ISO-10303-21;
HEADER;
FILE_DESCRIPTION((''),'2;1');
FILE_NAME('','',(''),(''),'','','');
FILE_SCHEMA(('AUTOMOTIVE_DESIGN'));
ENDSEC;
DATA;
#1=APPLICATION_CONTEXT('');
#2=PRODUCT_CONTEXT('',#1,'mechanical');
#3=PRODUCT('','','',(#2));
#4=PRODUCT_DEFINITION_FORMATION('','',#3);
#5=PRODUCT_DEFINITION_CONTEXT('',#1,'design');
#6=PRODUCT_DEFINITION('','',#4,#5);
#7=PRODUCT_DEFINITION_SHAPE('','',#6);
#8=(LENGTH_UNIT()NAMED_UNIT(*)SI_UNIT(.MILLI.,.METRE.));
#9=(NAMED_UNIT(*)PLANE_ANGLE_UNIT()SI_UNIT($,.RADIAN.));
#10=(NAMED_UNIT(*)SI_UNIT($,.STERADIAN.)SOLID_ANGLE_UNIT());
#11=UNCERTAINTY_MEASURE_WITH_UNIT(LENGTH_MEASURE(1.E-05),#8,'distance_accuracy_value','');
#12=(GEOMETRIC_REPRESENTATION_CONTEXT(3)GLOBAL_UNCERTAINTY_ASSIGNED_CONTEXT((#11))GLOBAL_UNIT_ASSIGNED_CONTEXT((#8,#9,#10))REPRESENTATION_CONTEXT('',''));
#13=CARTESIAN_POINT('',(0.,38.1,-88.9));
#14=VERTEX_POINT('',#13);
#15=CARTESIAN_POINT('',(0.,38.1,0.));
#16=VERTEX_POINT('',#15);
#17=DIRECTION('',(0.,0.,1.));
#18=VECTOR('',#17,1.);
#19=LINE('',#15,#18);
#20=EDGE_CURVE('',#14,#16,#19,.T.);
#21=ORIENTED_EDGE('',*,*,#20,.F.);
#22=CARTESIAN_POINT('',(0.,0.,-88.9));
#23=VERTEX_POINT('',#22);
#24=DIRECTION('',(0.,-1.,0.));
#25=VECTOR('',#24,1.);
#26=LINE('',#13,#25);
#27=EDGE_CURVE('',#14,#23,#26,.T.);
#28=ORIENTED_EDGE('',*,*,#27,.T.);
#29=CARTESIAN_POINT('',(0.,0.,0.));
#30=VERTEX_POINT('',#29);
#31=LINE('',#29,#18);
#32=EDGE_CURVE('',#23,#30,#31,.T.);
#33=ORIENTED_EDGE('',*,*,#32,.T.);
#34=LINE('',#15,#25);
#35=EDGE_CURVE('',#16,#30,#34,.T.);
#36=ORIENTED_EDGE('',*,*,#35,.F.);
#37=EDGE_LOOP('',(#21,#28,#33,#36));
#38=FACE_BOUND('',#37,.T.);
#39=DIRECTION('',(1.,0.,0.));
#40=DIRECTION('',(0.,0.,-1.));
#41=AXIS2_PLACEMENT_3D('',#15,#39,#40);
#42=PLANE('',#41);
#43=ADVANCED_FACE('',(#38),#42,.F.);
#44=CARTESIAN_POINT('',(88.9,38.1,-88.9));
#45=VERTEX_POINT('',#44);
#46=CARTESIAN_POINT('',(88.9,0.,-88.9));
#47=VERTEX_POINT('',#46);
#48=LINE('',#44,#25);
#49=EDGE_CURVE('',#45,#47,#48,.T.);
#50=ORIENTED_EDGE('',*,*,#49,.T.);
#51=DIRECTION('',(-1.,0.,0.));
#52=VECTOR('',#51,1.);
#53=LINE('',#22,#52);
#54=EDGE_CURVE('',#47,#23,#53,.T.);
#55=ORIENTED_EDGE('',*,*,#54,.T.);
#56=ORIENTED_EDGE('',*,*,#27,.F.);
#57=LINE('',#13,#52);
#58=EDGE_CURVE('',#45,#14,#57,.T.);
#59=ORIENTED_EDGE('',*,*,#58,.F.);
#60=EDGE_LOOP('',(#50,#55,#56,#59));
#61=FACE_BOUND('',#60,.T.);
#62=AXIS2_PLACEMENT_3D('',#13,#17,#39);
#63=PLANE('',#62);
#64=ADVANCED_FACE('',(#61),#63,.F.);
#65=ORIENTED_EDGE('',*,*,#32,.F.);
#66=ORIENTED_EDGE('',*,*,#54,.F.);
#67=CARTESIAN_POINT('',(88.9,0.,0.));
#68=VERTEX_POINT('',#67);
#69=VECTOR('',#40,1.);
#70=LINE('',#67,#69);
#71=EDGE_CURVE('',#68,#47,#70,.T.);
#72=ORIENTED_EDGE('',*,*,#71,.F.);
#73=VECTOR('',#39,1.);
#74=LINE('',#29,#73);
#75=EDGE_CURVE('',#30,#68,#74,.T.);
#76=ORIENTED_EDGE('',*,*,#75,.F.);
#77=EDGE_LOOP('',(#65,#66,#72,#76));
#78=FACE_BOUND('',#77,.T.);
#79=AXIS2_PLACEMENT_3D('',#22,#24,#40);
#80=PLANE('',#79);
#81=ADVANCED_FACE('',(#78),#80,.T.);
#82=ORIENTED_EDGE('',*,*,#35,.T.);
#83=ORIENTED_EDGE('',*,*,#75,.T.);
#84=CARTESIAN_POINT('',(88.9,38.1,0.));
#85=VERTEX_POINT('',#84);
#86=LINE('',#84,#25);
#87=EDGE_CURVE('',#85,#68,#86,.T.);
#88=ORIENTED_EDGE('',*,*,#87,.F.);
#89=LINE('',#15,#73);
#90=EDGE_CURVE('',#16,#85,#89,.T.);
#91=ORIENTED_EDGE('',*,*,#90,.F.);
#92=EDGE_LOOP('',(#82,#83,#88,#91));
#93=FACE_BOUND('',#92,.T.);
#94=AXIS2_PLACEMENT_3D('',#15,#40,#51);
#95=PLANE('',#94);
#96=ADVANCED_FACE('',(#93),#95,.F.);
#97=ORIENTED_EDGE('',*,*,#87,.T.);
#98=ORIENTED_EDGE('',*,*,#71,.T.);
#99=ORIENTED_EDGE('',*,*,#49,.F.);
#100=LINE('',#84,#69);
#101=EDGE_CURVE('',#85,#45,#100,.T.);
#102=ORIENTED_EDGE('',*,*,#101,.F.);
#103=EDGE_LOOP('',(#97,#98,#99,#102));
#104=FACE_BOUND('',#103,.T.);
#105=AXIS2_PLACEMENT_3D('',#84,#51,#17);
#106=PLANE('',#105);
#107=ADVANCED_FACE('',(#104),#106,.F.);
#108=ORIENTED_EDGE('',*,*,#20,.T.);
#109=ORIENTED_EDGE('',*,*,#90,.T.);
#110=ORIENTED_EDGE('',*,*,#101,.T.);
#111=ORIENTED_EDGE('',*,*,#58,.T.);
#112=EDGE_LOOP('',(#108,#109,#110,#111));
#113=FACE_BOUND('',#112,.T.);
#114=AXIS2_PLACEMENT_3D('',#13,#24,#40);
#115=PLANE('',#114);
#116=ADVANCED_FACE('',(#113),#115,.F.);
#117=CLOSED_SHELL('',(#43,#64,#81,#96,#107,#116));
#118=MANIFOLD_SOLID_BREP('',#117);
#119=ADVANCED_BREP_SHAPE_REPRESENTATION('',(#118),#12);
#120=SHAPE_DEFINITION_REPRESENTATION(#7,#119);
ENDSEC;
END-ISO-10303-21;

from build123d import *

# Parameters (mm, degrees)
SKETCH1_W           = 88.9
SKETCH1_H           = 88.9
BOSS_EXTRUDE1_DEPTH = 38.1


with BuildPart() as part:
    # Sketch1 → Boss-Extrude1 (new body)
    with BuildSketch(Plane(origin=(0, 0, 0), x_dir=(1, 0, 0), z_dir=(0, 1, 0))):
        with Locations((44.45, 44.45)):
            Rectangle(SKETCH1_W, SKETCH1_H)
    extrude(amount=BOSS_EXTRUDE1_DEPTH)


solid = part.part
